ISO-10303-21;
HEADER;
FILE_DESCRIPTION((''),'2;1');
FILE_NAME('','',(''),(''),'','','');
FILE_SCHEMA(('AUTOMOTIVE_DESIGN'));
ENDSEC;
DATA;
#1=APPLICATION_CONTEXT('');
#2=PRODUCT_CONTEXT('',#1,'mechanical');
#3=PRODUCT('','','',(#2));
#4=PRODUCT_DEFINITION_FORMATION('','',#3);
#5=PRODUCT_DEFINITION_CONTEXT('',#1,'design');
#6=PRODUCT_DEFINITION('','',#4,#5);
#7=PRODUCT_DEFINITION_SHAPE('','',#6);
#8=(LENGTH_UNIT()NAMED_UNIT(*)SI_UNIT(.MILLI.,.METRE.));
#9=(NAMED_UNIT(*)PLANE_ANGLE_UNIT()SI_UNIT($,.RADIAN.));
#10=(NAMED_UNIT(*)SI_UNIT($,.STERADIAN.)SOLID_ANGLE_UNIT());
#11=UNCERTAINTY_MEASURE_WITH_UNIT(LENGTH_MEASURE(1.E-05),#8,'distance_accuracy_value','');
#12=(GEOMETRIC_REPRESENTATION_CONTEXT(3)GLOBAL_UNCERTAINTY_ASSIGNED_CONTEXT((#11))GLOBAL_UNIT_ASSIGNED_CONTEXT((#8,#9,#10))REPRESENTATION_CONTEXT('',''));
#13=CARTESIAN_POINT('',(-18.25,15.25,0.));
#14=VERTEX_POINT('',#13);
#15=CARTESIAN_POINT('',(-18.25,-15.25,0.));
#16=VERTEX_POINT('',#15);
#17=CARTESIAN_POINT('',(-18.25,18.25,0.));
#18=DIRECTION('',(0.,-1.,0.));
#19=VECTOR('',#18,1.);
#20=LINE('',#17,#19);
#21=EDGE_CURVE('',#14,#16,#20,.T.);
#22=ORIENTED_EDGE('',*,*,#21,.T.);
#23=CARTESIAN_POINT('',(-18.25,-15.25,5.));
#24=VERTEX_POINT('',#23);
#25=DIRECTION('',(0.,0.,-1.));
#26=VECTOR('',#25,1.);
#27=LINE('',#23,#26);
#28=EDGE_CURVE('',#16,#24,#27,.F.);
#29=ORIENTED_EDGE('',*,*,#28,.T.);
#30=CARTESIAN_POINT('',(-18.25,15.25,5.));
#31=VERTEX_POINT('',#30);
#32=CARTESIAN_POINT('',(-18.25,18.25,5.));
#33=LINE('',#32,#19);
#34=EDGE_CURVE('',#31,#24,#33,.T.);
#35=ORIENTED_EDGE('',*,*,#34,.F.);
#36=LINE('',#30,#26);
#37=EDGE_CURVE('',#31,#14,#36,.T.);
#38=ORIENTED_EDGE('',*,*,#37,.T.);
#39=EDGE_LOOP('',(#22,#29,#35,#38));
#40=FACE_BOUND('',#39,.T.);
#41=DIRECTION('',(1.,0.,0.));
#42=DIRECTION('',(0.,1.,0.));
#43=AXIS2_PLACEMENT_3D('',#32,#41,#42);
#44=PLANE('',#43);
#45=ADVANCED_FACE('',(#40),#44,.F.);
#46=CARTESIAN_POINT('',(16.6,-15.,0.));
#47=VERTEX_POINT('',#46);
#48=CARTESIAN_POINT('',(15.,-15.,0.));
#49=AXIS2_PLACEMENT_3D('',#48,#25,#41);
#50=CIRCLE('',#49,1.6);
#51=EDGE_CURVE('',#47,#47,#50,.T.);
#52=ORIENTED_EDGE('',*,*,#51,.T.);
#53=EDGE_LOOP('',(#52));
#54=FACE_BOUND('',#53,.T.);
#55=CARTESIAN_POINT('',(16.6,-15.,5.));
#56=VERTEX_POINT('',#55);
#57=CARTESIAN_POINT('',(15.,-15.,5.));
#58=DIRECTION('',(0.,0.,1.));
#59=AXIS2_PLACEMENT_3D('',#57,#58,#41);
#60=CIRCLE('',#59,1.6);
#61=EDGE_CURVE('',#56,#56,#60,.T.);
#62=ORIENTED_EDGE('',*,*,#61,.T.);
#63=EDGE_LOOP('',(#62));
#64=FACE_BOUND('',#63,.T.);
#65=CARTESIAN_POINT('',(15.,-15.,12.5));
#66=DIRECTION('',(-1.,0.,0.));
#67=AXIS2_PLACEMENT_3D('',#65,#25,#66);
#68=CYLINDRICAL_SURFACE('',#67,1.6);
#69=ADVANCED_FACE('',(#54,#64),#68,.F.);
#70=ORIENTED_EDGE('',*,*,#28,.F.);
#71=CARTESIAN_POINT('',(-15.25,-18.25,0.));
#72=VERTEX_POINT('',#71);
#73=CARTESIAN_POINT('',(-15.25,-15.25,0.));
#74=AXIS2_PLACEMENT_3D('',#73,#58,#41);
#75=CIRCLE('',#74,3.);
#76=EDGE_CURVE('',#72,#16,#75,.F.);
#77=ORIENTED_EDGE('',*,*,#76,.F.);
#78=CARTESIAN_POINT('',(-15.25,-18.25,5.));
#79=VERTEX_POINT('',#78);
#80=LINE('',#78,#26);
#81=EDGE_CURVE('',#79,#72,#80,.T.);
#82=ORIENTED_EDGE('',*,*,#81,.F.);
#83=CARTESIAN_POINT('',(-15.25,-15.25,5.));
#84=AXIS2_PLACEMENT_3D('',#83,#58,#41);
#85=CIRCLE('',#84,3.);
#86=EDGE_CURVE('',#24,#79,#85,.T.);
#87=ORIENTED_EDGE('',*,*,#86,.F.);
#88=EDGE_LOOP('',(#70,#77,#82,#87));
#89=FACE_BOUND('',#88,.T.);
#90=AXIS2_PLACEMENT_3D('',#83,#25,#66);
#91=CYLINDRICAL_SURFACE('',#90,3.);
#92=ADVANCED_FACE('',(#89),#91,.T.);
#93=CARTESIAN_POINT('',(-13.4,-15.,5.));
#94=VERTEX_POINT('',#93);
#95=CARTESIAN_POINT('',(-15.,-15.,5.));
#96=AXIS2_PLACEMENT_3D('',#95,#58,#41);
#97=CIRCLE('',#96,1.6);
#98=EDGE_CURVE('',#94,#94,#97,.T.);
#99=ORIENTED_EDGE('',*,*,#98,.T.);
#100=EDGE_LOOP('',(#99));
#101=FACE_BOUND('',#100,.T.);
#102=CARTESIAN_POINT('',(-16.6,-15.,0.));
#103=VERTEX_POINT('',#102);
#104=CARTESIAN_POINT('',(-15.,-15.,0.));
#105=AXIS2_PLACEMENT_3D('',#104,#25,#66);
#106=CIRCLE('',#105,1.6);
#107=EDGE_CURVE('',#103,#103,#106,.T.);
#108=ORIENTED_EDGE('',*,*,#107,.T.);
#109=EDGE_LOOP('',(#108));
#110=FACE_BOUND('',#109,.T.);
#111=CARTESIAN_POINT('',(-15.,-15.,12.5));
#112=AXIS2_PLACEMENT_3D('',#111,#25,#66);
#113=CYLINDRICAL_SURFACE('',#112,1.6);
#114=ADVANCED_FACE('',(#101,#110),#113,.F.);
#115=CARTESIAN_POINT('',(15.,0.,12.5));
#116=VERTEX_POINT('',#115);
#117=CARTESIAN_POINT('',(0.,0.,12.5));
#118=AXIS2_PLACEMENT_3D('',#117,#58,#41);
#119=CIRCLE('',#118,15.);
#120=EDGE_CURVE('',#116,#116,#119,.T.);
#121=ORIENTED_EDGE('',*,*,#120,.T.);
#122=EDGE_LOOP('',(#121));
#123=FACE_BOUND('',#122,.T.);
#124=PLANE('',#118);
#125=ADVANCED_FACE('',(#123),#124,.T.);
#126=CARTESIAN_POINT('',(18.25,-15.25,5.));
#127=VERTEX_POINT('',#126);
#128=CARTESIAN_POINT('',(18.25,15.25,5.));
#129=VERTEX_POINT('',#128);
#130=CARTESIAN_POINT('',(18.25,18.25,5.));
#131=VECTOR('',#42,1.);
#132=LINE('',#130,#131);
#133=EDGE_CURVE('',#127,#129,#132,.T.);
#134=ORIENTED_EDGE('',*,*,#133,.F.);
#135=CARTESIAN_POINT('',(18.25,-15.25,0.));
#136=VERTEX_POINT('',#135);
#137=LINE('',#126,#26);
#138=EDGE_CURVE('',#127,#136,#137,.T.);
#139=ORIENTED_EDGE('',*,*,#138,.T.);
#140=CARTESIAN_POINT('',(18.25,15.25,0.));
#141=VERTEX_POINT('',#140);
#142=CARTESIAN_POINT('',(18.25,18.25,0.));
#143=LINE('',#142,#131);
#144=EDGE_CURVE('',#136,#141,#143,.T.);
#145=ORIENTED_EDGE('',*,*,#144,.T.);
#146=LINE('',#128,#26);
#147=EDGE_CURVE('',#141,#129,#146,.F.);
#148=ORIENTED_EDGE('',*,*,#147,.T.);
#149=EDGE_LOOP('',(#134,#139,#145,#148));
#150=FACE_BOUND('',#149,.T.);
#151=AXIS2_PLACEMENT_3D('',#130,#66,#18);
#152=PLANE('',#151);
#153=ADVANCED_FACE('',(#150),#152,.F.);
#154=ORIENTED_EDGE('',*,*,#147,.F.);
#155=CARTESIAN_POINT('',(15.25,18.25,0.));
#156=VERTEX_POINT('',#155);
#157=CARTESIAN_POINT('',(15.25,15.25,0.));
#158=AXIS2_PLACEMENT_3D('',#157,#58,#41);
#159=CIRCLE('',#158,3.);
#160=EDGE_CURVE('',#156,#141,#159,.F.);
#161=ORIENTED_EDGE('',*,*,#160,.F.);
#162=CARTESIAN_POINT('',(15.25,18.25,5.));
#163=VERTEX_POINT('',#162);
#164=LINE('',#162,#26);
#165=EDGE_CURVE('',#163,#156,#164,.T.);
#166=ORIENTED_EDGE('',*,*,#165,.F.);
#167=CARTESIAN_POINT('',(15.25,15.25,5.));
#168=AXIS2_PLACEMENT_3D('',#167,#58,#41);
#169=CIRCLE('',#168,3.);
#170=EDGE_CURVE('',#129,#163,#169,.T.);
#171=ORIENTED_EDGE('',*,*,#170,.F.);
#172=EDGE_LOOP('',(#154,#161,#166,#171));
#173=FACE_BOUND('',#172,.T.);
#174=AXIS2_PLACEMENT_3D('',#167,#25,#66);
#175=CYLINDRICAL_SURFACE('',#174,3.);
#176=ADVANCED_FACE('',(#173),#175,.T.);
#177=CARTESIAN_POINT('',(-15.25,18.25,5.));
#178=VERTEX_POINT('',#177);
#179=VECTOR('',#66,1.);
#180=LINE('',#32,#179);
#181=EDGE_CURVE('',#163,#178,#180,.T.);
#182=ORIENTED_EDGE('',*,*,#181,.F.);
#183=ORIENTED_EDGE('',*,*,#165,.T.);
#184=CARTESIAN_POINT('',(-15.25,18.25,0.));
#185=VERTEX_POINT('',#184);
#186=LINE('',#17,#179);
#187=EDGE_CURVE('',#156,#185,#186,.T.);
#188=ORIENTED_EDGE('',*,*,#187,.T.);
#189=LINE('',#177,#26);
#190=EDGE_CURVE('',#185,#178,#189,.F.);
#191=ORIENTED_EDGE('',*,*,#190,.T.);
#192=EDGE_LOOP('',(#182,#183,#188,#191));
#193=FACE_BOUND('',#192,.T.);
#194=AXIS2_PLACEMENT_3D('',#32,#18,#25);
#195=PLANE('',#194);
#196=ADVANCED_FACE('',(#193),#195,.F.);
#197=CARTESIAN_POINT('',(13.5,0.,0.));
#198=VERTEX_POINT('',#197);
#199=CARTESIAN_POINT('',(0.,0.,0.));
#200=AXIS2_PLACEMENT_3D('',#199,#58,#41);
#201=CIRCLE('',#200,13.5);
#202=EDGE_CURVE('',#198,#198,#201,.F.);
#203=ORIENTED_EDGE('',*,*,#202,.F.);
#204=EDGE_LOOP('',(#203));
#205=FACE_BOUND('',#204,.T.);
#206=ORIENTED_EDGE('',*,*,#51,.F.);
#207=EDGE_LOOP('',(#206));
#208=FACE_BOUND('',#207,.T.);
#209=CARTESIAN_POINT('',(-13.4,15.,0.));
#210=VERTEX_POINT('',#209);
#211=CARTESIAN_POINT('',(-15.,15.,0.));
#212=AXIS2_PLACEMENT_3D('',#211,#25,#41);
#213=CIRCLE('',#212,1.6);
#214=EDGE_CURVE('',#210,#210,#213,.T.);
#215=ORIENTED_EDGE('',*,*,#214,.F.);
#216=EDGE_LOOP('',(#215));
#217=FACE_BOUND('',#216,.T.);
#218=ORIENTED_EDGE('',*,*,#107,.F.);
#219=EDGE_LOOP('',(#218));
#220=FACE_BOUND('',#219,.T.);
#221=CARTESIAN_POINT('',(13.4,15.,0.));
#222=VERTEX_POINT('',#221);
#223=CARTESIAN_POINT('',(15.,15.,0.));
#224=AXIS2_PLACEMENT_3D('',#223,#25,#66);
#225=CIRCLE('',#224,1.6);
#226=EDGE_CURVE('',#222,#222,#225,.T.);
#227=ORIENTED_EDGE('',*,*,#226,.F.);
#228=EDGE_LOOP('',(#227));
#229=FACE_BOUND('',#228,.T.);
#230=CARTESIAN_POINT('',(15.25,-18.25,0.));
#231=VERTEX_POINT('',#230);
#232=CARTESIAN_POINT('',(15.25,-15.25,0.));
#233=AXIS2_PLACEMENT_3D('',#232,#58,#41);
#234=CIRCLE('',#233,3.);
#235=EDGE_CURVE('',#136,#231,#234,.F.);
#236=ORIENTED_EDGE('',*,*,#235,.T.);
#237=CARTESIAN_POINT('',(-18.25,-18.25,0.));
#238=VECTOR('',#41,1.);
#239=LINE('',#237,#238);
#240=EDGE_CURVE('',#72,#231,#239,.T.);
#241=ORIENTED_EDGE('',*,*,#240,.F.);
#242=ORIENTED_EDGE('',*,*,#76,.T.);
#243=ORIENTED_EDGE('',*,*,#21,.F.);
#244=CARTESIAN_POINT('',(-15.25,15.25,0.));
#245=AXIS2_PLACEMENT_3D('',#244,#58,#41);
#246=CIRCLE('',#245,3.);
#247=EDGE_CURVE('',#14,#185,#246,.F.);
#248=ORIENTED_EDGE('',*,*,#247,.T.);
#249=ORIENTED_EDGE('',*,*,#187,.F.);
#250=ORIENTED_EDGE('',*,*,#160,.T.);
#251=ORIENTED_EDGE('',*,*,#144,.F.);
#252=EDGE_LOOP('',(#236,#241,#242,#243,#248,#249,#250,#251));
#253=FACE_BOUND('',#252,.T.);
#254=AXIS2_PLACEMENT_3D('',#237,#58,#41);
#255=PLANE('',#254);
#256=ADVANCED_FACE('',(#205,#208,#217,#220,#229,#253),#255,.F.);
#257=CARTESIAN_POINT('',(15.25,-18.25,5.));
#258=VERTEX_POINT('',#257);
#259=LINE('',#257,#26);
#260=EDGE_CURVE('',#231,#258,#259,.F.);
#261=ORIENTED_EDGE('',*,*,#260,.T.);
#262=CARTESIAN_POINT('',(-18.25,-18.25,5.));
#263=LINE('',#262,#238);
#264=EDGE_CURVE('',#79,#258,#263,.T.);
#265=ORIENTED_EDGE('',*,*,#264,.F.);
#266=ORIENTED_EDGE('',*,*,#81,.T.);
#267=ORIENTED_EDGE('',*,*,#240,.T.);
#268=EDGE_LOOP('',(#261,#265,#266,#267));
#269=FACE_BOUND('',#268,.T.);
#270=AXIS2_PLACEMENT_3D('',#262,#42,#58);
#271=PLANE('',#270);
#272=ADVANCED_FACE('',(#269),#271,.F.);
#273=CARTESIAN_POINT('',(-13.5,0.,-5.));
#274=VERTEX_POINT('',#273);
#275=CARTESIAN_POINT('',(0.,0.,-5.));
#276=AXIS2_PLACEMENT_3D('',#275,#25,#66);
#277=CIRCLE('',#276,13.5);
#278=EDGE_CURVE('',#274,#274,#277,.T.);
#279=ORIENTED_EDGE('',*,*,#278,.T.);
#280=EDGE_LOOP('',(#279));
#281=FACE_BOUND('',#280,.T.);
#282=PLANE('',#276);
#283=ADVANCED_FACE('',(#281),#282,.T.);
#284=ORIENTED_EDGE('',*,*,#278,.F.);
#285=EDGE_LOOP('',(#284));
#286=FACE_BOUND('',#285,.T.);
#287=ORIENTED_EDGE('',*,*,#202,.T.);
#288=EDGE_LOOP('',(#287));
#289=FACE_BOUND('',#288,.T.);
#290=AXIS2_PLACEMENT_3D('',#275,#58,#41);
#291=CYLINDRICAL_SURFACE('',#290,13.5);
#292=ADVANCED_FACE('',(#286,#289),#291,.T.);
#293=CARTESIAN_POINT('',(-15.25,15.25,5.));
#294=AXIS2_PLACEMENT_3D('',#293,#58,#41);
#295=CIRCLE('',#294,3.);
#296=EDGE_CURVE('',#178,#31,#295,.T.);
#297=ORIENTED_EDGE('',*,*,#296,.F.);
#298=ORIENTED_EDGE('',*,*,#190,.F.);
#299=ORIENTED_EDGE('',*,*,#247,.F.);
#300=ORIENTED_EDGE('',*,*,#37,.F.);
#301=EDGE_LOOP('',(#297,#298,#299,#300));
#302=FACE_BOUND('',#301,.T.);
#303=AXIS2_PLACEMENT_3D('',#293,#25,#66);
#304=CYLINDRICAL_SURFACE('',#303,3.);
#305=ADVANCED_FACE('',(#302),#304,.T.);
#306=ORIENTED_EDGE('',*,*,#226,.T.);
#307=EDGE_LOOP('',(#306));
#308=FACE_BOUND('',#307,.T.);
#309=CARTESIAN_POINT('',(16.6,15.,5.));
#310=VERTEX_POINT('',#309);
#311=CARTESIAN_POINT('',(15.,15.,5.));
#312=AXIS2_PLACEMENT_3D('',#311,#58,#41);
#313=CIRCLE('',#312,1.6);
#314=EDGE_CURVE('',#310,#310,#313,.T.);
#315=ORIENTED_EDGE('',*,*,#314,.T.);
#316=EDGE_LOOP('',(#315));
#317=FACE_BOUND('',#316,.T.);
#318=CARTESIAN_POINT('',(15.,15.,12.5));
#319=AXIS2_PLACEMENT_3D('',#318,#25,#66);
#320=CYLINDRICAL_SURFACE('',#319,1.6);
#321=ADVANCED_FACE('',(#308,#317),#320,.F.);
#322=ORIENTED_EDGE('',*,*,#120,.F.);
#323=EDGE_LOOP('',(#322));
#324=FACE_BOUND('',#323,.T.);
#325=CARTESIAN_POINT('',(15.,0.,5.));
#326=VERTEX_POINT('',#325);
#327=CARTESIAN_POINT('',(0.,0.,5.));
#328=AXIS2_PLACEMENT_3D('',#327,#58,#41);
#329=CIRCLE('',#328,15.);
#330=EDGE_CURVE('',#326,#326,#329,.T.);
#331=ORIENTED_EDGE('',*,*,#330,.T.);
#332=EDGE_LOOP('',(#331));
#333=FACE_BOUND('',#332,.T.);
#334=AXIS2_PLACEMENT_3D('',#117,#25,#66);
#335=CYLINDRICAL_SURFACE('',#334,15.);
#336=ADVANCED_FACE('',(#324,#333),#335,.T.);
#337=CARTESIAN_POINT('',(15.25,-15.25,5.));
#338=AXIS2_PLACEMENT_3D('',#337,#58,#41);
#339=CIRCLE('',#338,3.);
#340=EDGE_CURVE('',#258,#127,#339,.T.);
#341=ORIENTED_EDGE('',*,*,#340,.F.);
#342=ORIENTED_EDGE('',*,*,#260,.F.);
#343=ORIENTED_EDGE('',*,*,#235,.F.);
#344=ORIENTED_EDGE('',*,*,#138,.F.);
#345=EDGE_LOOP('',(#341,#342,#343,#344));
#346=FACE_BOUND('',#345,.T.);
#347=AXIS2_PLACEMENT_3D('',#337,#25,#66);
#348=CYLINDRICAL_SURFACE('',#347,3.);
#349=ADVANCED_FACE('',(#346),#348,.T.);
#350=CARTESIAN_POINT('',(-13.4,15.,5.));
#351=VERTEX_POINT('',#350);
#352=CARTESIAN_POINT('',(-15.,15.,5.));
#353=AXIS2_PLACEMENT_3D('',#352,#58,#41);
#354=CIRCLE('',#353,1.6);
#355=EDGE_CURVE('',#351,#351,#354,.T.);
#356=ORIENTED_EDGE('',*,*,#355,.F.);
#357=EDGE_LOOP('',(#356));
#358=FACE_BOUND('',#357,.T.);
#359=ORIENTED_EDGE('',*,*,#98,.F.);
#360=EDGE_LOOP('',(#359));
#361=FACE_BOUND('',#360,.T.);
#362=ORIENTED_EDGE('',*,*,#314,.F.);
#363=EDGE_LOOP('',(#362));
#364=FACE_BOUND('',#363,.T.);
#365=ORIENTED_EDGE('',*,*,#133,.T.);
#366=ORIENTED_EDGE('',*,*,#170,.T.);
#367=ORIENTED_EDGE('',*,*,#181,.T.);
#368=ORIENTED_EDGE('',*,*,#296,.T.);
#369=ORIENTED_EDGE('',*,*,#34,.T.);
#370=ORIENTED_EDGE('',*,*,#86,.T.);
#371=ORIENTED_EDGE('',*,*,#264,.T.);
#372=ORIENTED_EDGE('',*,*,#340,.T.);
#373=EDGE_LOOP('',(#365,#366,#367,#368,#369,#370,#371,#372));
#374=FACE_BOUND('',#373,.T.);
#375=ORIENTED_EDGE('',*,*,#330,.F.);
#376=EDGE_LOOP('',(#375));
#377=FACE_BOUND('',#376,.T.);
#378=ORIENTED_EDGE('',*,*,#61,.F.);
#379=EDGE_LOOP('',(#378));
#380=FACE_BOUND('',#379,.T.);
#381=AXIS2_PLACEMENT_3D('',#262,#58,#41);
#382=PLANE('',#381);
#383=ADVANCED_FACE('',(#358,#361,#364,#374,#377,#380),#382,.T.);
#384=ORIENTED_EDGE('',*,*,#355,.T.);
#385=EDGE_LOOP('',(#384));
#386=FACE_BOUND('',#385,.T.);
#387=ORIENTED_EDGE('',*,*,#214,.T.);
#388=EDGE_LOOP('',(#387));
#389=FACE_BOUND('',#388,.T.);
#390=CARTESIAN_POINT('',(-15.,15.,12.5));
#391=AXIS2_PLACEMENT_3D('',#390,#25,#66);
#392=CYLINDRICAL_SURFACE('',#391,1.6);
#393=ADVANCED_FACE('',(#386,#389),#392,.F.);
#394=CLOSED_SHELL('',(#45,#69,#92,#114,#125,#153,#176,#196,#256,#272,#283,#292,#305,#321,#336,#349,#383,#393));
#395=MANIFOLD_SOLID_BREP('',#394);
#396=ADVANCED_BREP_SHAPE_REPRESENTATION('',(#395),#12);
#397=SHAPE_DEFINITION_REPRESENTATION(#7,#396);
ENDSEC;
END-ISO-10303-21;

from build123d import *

# Parameters (mm, degrees)
SKETCH_1_W          = 36.5
SKETCH_1_H          = 36.5
EXTRUDE_1_DEPTH     = 5
SKETCH_2_R          = 15
EXTRUDE_2_DEPTH     = 7.5
SKETCH_3_R          = 13.5
EXTRUDE_3_DEPTH     = 5
SKETCH_4_R          = 1.6
CUT_EXTRUDE_1_DEPTH = 29.677081441
FILLET_1_R          = 3


with BuildPart() as part:
    # 草图1 → 凸台-拉伸1 (new body)
    with BuildSketch(Plane.XY):
        Rectangle(SKETCH_1_W, SKETCH_1_H)
    extrude(amount=EXTRUDE_1_DEPTH)

    # 草图2 → 凸台-拉伸2 (add)
    with BuildSketch(Plane.XY.offset(5)):
        Circle(SKETCH_2_R)
    extrude(amount=EXTRUDE_2_DEPTH)

    # 草图3 → 凸台-拉伸3 (add)
    with BuildSketch(Plane(origin=(0, 0, 0), x_dir=(-1, 0, 0), z_dir=(0, 0, -1))):
        with Locations(Location((0, 0, 0), (0, 0, 180))):
            Circle(SKETCH_3_R)
    extrude(amount=EXTRUDE_3_DEPTH)

    # 草图4 → 切除-拉伸1 (cut, through all)
    with BuildSketch(Plane(origin=(0, 0, 0), x_dir=(-1, 0, 0), z_dir=(0, 0, -1))):
        with Locations((-15, 15)):
            Circle(SKETCH_4_R)
        with Locations(Location((-15, -15, 0), (0, 0, 180))):
            Circle(SKETCH_4_R)
        with Locations((15, -15)):
            Circle(SKETCH_4_R)
        with Locations(Location((15, 15, 0), (0, 0, 180))):
            Circle(SKETCH_4_R)
    extrude(amount=-CUT_EXTRUDE_1_DEPTH, mode=Mode.SUBTRACT)

    # 圆角1
    fillet_1_edges = [part.edges().sort_by_distance(p)[0] for p in [
        (-18.25, 18.25, 2.5),
        (18.25, 18.25, 2.5),
        (18.25, -18.25, 2.5),
        (-18.25, -18.25, 2.5),
    ]]
    fillet(fillet_1_edges, radius=FILLET_1_R)


solid = part.part
